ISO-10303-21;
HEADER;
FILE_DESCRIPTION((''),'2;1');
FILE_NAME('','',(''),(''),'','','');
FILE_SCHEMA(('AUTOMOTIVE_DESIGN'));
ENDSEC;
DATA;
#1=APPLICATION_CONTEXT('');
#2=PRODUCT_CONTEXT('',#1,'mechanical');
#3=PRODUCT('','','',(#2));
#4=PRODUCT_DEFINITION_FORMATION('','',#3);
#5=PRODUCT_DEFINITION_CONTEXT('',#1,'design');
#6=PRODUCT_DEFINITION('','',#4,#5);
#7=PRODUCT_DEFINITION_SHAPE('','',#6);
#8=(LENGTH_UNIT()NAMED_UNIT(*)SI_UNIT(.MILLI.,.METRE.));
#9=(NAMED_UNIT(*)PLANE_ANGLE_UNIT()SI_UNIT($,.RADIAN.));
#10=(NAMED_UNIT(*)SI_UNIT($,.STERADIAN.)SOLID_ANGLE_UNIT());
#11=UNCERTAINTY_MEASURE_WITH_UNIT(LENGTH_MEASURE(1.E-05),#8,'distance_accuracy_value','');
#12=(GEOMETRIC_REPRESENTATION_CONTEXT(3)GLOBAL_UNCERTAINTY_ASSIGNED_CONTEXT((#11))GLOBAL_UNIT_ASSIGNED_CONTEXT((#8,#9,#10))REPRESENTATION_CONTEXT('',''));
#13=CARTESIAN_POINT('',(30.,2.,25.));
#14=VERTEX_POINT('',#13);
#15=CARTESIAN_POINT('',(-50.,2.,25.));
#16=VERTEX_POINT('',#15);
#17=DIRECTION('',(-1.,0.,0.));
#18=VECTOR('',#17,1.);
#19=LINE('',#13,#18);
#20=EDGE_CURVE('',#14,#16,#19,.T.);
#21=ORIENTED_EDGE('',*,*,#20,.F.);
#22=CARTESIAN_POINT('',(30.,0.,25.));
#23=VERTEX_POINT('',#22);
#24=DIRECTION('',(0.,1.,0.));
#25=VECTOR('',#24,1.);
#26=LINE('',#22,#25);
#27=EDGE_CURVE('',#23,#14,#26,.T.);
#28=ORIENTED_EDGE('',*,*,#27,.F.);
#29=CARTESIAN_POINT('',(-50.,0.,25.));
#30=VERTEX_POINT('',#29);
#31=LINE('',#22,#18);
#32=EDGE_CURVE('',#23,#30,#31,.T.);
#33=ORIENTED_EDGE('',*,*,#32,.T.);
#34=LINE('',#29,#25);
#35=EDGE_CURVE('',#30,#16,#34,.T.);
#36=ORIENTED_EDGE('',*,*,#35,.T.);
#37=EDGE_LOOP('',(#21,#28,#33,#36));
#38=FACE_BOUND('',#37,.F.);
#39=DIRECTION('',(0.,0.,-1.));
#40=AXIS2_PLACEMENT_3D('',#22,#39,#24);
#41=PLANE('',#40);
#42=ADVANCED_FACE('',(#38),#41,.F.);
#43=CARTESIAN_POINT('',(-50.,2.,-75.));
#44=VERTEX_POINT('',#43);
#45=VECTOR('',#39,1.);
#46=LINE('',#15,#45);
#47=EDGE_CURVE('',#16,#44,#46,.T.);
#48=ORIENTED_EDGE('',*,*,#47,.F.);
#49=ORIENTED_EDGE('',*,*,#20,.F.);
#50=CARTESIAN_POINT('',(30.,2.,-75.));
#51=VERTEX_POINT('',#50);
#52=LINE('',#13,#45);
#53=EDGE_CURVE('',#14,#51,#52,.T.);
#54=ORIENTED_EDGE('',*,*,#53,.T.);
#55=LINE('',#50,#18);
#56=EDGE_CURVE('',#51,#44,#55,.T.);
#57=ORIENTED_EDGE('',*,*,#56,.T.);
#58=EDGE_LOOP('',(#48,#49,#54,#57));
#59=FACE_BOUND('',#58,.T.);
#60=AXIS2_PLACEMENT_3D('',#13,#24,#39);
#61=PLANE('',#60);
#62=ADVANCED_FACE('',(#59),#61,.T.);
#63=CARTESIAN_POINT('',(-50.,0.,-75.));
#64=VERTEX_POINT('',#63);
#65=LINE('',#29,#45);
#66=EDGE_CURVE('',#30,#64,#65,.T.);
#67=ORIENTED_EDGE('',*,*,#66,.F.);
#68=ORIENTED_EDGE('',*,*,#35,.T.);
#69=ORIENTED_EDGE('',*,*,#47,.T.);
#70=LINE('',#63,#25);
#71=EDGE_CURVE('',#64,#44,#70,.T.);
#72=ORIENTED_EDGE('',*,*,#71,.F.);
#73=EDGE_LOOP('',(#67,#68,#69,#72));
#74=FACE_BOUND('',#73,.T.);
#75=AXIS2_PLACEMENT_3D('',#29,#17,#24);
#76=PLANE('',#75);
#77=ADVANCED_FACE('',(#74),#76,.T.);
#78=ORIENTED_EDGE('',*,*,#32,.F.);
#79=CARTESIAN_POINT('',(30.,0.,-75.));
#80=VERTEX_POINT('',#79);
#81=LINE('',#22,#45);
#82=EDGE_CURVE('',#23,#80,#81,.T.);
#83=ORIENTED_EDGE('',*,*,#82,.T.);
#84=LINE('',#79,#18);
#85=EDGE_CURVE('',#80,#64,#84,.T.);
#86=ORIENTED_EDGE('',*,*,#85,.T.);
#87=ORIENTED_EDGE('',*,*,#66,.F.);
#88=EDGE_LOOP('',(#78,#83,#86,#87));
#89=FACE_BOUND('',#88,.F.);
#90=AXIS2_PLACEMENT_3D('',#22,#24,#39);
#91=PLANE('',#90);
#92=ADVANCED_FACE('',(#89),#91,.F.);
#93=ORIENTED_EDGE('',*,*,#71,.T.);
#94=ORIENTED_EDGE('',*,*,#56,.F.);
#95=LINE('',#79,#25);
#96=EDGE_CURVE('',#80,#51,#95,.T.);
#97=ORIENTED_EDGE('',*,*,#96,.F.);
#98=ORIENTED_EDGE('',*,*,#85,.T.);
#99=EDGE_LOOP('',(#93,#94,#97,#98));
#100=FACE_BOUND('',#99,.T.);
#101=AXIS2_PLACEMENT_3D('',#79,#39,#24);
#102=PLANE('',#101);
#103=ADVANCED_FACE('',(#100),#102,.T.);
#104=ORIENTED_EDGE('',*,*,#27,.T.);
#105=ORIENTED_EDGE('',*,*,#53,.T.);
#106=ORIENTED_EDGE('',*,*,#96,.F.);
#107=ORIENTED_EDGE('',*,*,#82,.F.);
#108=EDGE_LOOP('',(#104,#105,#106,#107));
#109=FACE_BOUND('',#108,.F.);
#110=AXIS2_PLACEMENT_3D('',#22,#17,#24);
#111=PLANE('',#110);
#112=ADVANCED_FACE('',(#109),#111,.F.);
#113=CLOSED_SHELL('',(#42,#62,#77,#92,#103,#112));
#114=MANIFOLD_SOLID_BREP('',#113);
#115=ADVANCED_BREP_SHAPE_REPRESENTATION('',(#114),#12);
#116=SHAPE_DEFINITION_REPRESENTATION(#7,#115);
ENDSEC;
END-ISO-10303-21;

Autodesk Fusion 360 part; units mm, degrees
box "BoxPrimitive1" add length 100 width 80 height 2 placed x (0, 0, -1) y (-1, 0, 0) z (0, 1, 0) at (30, 0, 25)
